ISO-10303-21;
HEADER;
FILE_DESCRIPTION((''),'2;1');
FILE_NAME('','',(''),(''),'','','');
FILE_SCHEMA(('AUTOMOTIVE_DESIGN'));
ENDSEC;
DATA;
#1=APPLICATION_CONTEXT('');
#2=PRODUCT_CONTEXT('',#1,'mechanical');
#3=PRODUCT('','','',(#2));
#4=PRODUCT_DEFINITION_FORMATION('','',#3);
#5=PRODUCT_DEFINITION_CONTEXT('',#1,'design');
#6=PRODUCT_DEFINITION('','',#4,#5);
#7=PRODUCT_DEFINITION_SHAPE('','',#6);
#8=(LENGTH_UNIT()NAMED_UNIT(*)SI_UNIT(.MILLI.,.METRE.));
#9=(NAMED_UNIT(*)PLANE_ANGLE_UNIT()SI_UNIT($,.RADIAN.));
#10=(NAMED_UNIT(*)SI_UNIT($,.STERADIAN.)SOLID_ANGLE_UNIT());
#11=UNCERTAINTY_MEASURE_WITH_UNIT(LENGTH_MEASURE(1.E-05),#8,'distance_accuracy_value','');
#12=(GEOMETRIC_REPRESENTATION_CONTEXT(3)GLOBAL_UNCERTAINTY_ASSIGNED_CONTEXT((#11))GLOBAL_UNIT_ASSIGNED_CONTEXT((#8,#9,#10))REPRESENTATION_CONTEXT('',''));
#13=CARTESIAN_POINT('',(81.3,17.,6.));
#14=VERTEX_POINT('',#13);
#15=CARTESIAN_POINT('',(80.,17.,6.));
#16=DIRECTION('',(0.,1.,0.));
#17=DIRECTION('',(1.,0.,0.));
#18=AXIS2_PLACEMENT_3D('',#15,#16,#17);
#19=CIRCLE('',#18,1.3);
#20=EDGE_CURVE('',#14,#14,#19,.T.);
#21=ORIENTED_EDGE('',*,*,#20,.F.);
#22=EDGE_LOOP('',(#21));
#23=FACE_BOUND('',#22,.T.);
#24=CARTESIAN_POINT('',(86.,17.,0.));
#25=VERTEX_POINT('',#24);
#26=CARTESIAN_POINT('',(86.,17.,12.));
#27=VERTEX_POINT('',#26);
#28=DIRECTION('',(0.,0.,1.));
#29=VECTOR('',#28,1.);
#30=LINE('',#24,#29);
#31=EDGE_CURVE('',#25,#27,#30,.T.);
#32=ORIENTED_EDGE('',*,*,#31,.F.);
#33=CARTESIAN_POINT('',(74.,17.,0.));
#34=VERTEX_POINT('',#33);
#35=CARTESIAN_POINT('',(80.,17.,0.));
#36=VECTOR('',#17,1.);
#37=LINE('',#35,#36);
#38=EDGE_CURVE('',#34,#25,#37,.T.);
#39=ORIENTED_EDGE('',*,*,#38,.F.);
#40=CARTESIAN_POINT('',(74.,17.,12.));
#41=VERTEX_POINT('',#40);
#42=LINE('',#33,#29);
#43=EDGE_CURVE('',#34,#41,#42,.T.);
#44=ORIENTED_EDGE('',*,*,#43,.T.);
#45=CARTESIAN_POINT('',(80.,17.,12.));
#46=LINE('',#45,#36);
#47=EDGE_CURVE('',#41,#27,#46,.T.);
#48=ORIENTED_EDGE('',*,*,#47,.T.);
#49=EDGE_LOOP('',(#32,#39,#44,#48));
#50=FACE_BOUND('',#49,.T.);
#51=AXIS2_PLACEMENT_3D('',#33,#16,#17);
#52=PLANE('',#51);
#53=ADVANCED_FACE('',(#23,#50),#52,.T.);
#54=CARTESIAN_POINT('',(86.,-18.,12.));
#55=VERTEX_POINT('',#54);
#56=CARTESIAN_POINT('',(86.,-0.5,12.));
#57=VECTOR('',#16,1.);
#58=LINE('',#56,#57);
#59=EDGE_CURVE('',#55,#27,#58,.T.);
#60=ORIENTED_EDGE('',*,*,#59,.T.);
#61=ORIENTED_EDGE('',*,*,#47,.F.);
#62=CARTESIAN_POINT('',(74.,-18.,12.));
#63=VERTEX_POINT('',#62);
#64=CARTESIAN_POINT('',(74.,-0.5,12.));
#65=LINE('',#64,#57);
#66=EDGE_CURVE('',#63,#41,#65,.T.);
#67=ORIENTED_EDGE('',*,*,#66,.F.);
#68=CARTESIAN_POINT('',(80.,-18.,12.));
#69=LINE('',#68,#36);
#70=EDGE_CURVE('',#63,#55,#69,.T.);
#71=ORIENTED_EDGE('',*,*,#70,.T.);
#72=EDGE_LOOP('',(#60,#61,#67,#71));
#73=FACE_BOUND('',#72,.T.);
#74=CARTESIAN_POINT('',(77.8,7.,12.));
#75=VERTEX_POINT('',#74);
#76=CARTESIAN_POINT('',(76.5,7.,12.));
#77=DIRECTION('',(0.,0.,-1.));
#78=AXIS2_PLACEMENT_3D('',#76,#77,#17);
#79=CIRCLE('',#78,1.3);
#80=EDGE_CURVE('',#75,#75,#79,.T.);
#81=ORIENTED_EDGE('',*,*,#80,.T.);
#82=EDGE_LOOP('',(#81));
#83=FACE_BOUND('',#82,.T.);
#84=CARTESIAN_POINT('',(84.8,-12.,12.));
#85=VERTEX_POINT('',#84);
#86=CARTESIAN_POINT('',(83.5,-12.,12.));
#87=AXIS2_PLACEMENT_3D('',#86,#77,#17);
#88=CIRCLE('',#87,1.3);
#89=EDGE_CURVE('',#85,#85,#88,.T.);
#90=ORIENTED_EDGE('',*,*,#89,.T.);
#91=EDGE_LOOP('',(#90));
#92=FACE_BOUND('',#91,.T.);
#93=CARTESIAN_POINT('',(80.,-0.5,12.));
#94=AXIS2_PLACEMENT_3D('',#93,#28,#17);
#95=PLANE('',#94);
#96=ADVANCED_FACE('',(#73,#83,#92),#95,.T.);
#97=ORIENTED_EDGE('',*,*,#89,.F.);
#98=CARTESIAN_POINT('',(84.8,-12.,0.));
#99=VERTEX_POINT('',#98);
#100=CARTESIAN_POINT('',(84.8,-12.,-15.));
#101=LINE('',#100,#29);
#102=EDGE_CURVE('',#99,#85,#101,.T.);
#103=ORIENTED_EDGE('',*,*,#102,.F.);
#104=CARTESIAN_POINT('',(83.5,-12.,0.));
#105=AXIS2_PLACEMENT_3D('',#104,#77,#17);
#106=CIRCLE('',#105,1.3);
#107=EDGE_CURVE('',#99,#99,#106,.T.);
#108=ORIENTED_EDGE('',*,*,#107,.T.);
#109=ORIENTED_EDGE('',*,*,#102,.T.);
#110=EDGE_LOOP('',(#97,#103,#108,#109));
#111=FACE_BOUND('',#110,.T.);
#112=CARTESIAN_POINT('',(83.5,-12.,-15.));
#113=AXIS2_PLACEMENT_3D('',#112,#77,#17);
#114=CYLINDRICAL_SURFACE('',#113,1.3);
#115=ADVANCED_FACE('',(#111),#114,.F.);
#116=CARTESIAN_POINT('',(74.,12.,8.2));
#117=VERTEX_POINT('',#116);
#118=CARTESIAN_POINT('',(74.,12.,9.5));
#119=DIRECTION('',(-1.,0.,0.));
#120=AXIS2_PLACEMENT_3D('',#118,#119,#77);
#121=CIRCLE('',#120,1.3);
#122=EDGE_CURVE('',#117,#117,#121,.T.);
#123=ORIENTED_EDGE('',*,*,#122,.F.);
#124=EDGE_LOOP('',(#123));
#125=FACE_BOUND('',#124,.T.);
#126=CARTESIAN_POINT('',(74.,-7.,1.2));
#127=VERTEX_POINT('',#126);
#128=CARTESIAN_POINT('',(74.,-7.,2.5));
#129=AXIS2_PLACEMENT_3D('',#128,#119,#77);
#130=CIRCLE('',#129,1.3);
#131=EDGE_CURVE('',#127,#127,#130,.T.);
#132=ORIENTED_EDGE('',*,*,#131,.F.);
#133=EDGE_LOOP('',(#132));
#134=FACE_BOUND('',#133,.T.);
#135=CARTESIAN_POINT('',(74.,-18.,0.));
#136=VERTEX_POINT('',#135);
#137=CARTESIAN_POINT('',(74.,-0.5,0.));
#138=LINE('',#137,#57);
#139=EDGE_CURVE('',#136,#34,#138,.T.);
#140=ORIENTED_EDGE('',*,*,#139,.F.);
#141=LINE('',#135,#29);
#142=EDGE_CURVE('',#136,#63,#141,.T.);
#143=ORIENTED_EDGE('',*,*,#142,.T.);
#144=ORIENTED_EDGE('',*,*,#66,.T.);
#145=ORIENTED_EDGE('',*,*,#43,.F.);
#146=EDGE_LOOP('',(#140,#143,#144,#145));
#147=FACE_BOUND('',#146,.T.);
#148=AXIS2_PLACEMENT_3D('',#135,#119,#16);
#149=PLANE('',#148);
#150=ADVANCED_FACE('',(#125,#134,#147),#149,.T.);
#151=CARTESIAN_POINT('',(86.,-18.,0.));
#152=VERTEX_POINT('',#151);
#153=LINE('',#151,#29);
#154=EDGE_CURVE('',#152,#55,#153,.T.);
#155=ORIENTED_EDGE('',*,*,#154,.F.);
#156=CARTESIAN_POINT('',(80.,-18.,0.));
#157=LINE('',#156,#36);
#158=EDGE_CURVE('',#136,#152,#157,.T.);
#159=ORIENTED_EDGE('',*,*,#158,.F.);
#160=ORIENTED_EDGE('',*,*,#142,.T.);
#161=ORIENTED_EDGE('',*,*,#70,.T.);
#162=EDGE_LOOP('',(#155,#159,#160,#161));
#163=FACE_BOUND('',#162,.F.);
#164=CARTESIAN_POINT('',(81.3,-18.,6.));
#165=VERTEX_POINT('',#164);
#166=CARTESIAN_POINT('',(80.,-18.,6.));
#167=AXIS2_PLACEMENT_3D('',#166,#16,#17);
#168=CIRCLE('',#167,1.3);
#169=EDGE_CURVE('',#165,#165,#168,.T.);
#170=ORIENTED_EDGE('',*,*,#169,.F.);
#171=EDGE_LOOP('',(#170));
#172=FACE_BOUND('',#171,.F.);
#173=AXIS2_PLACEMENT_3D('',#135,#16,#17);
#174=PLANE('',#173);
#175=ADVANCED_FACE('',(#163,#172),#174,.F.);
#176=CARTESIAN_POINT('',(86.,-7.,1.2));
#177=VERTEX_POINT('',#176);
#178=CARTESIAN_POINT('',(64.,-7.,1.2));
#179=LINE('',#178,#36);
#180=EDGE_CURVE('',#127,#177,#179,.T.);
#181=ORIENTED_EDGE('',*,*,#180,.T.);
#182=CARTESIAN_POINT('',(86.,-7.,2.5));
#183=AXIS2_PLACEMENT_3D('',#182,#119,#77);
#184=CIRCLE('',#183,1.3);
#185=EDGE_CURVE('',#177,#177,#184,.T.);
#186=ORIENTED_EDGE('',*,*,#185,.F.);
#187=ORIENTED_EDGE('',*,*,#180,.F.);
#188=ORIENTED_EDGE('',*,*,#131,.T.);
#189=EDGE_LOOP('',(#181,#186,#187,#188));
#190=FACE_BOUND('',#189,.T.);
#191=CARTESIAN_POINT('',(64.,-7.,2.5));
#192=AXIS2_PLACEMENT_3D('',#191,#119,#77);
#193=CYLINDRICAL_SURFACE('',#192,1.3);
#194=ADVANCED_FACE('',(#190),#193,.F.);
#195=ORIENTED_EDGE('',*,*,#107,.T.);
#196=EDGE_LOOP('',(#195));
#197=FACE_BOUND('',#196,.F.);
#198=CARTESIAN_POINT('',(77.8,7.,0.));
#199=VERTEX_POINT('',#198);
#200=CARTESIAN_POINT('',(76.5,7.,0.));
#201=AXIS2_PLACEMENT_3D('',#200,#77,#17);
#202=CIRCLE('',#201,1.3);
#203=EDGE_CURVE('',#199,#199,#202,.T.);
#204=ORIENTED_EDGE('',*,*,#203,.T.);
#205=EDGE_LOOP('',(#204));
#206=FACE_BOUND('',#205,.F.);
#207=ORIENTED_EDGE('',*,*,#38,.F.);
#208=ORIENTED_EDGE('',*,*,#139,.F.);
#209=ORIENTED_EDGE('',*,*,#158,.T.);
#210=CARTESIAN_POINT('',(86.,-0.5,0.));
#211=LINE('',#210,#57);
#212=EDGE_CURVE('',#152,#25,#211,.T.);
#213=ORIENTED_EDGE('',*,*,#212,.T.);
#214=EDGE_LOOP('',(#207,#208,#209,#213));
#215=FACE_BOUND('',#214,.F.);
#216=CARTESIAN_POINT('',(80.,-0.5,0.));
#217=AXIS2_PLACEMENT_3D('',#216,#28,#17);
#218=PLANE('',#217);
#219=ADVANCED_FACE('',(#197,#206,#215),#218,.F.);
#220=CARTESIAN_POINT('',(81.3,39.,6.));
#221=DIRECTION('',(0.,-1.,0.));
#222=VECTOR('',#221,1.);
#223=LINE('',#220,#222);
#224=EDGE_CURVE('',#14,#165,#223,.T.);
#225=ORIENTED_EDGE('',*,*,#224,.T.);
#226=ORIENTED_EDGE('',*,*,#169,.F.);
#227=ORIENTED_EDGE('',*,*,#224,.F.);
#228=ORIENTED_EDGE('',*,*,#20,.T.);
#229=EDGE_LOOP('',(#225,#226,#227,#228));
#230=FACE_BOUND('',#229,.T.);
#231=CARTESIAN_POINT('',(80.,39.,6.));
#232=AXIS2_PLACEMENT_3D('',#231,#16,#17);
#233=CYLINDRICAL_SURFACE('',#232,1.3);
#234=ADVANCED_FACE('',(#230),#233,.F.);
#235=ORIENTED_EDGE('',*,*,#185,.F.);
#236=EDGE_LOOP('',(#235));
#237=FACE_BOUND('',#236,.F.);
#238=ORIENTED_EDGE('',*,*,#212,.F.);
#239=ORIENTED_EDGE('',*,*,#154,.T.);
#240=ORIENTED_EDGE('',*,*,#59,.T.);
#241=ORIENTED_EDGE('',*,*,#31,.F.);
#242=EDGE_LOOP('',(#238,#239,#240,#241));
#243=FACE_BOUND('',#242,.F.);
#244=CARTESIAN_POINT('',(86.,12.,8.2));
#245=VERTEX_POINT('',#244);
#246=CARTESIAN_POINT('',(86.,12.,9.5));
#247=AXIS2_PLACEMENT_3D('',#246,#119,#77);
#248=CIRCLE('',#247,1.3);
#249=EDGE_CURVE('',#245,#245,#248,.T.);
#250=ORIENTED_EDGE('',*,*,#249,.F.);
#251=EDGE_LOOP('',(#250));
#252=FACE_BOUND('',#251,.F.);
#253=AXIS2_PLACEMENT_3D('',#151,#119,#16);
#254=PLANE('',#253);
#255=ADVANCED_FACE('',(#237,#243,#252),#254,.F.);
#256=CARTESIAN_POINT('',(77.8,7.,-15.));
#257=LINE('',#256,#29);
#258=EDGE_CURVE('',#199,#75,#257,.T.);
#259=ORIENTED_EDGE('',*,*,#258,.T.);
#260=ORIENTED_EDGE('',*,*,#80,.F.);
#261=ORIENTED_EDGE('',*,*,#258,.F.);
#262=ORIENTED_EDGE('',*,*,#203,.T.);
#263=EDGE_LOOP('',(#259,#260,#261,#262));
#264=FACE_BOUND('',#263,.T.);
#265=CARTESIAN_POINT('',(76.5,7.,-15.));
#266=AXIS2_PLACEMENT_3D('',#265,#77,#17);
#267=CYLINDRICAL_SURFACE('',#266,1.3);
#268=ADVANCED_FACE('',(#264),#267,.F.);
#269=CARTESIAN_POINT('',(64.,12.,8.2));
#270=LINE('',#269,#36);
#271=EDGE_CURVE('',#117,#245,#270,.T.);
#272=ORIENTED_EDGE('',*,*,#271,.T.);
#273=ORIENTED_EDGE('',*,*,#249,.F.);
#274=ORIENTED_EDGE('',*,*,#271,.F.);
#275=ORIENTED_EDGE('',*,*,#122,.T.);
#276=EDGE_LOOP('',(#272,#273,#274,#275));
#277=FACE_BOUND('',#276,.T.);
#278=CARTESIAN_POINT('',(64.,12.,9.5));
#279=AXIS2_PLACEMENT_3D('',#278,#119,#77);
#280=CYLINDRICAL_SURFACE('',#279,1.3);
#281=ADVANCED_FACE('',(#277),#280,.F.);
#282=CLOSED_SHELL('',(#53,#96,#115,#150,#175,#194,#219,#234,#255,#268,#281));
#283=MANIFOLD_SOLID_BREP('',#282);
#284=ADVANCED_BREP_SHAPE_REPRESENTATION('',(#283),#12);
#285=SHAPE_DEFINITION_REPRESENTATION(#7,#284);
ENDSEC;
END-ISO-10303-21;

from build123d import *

# Parameters (mm, degrees)
CYLINDER024_R           = 1.3
CYLINDER024_DEPTH       = 40
CYLINDER024_PITCH_ANGLE = 90
CYLINDER023_R           = 1.3
CYLINDER023_DEPTH       = 40
CYLINDER023_PITCH_ANGLE = 90
CYLINDER022_R           = 1.3
CYLINDER022_DEPTH       = 70
CYLINDER022_ROLL_ANGLE  = 90
CYLINDER021_R           = 1.3
CYLINDER021_DEPTH       = 40
CYLINDER020_R           = 1.3
CYLINDER020_DEPTH       = 40
BOX017_W                = 12
BOX017_H                = 35
BOX017_DEPTH            = 12


with BuildPart() as cylinder105:
    # Cylinder024 → Cylinder024 (new body)
    with BuildSketch(Plane.XY):
        Circle(CYLINDER024_R)
    extrude(amount=CYLINDER024_DEPTH)


with BuildPart() as cylinder105_1:
    # Cylinder024 pitch: moved
    add(cylinder105.part.rotate(Axis((0, 0, 0), (0, 1, 0)), CYLINDER024_PITCH_ANGLE))


with BuildPart() as cylinder105_2:
    # Cylinder024 placement: moved
    add(cylinder105_1.part.moved(Location((-40, 12, 9.5))))


with BuildPart() as fusion007:
    # Cylinder023 → Cylinder023 (new body)
    with BuildSketch(Plane.XY):
        Circle(CYLINDER023_R)
    extrude(amount=CYLINDER023_DEPTH)


with BuildPart() as fusion007_1:
    # Cylinder023 pitch: moved
    add(fusion007.part.rotate(Axis((0, 0, 0), (0, 1, 0)), CYLINDER023_PITCH_ANGLE))


with BuildPart() as fusion007_2:
    # Cylinder023 placement: moved
    add(fusion007_1.part.moved(Location((-40, -7, 2.5))))

    # Fusion007: union Cylinder105
    add(cylinder105_2.part)


with BuildPart() as fusion008:
    # Cylinder022 → Cylinder022 (new body)
    with BuildSketch(Plane.XY):
        Circle(CYLINDER022_R)
    extrude(amount=CYLINDER022_DEPTH)


with BuildPart() as fusion008_1:
    # Cylinder022 roll: moved
    add(fusion008.part.rotate(Axis((0, 0, 0), (1, 0, 0)), CYLINDER022_ROLL_ANGLE))


with BuildPart() as fusion008_2:
    # Cylinder022 placement: moved
    add(fusion008_1.part.moved(Location((-24, 39, 6))))

    # Fusion008: union Fusion007
    add(fusion007_2.part)


with BuildPart() as fusion009:
    # Cylinder021 → Cylinder021 (new body)
    with BuildSketch(Plane(origin=(-27.5, 7, -15), x_dir=(1, 0, 0), z_dir=(0, 0, 1))):
        Circle(CYLINDER021_R)
    extrude(amount=CYLINDER021_DEPTH)

    # Fusion009: union Fusion008
    add(fusion008_2.part)


with BuildPart() as corner_block_holes:
    # Cylinder020 → Cylinder020 (new body)
    with BuildSketch(Plane(origin=(-20.5, -12, -15), x_dir=(1, 0, 0), z_dir=(0, 0, 1))):
        Circle(CYLINDER020_R)
    extrude(amount=CYLINDER020_DEPTH)

    # Fusion010: union Fusion009
    add(fusion009.part)


with BuildPart() as corner_block001:
    # Box017 → Box017 (new body)
    with BuildSketch(Plane(origin=(-30, -18, 0), x_dir=(1, 0, 0), z_dir=(0, 0, 1))):
        with Locations((6, 17.5)):
            Rectangle(BOX017_W, BOX017_H)
    extrude(amount=BOX017_DEPTH)

    # Cut009: cut corner-block-holes
    add(corner_block_holes.part, mode=Mode.SUBTRACT)


with BuildPart() as corner_block001_1:
    # Cut009 placement: moved
    add(corner_block001.part.moved(Location((104, 0, 0))))


solid = corner_block001_1.part
